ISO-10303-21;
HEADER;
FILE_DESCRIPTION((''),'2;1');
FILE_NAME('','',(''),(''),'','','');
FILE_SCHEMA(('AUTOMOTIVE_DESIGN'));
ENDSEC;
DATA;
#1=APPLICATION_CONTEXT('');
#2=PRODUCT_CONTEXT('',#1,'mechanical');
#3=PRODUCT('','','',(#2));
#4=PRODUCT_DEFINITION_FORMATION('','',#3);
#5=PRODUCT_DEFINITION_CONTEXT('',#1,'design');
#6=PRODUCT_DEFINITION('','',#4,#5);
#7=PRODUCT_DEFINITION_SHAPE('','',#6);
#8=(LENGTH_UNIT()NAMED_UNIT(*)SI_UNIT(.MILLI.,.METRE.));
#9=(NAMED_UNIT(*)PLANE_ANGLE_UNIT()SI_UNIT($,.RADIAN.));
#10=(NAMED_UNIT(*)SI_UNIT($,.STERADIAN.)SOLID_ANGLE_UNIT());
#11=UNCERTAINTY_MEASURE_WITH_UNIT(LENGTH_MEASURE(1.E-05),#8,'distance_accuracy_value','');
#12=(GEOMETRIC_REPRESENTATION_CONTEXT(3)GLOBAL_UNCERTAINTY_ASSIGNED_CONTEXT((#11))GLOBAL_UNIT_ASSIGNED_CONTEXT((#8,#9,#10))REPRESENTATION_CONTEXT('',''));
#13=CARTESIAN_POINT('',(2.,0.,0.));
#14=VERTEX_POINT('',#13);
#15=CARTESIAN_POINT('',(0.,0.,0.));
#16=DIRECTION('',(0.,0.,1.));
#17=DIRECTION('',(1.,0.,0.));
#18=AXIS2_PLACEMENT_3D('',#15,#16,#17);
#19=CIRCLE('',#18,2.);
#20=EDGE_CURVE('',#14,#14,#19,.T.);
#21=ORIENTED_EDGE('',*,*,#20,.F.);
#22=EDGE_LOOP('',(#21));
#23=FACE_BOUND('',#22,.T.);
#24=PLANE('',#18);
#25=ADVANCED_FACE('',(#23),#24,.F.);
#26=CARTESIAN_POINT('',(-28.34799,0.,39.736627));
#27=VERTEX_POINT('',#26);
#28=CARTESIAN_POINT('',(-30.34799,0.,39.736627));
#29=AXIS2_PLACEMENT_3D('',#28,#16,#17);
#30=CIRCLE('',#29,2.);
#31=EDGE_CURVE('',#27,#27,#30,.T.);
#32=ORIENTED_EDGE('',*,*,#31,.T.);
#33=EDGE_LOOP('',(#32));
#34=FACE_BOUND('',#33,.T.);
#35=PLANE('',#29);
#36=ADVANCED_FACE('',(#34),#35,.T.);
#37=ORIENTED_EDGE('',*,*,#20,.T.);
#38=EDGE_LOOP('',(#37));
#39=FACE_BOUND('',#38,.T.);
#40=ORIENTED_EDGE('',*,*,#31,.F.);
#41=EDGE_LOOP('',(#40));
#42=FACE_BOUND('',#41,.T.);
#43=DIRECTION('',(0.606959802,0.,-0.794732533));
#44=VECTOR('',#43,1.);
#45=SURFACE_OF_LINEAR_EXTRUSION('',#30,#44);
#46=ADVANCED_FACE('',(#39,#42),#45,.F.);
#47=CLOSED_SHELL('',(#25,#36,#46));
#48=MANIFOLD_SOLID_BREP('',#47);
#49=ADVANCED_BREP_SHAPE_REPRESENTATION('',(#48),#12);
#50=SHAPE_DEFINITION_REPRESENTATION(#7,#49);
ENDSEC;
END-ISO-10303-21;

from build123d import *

# Parameters (mm, degrees)
SKETCH5_R           = 2
BOSS_EXTRUDE1_DEPTH = 50


with BuildPart() as part:
    # Sketch5 → Boss-Extrude1 (new, along a direction that is not the sketch's normal)
    with BuildSketch(Plane.XY):
        Circle(SKETCH5_R)
    extrude(amount=BOSS_EXTRUDE1_DEPTH, dir=(-0.6069598019618953, 0, 0.7947325328702588))


solid = part.part
